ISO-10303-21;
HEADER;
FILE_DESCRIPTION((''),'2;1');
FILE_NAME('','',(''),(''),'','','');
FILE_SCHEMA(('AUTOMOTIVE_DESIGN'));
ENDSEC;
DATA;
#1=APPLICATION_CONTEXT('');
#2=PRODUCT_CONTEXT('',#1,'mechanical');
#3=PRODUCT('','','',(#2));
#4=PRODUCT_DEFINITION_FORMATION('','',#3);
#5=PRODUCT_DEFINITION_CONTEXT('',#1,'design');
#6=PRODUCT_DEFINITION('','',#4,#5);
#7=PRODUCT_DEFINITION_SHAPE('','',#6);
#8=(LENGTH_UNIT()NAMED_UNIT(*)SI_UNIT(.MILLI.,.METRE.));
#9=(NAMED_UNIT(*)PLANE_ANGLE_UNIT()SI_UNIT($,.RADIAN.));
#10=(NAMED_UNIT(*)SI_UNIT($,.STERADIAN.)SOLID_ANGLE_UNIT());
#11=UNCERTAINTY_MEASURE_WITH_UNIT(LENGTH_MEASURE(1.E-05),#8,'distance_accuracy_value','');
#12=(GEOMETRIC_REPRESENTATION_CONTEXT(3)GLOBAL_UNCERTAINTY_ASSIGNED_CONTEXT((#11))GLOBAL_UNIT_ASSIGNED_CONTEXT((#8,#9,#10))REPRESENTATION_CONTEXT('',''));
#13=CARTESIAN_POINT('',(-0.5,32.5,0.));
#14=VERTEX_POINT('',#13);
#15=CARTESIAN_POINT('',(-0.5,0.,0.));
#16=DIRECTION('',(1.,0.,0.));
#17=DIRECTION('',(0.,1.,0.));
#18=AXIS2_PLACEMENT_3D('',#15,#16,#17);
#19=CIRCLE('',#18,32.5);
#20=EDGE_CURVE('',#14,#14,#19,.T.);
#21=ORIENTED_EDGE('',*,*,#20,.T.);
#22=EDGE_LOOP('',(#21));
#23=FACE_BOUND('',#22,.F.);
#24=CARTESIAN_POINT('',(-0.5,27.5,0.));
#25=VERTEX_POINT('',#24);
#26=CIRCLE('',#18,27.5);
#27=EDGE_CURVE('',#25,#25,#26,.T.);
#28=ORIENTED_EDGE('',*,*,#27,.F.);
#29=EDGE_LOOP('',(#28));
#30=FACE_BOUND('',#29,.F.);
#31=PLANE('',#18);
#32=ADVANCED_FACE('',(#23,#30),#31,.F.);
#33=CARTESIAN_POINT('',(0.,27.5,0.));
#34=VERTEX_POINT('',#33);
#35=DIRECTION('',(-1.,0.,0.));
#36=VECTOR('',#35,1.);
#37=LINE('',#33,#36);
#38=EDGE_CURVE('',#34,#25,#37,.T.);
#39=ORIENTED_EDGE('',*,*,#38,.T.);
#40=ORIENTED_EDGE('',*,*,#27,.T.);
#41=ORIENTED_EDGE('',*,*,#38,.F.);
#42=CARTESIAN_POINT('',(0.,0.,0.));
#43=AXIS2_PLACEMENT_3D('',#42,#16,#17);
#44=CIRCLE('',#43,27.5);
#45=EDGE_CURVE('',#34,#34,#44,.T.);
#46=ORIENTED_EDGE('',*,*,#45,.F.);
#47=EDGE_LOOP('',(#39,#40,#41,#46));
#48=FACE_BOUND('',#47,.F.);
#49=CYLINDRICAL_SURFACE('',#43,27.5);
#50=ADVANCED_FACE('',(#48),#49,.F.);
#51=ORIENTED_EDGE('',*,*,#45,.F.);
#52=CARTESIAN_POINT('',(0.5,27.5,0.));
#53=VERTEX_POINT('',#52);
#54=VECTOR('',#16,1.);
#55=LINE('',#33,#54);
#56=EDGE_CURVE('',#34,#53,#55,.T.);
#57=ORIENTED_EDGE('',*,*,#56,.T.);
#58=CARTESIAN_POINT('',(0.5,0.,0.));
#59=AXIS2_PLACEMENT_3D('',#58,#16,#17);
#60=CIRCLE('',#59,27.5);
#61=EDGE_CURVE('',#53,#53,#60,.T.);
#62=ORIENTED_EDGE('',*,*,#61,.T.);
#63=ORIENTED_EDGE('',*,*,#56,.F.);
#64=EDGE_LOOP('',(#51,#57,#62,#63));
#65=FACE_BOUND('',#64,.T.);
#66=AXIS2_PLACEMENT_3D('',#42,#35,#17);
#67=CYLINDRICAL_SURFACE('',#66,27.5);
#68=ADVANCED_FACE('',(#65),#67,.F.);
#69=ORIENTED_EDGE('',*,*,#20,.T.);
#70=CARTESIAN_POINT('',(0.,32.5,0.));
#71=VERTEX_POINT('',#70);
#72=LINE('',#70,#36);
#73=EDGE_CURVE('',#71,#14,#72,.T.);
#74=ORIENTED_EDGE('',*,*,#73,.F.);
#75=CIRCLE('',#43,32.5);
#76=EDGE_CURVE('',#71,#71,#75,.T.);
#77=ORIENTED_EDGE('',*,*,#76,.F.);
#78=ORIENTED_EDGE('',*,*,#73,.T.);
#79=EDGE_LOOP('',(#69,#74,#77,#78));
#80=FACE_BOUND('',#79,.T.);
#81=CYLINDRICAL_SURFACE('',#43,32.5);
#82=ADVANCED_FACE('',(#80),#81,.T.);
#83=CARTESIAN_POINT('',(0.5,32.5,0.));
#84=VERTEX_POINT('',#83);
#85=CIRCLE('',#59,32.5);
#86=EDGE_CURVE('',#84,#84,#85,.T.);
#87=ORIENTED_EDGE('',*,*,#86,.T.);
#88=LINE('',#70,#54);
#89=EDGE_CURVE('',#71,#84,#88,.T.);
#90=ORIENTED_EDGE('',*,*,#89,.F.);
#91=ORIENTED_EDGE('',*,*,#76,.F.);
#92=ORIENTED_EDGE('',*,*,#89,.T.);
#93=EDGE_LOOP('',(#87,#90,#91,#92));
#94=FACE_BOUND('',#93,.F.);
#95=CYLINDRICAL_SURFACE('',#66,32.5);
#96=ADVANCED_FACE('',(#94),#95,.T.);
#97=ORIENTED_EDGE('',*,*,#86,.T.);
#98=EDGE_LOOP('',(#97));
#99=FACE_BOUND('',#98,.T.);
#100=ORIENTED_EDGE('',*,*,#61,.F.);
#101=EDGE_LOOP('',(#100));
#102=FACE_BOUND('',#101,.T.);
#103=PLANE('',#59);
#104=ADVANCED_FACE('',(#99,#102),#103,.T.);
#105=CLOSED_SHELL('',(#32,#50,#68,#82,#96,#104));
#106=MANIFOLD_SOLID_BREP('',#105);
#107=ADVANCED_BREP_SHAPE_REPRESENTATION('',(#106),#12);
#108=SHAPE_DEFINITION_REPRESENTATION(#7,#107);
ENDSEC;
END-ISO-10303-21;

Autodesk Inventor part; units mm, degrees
ref_plane "YZ Plane" through (0, 0, 0) normal (1, 0, 0) x (0, 1, 0)
ref_plane "XZ Plane" through (0, 0, 0) normal (0, 1, 0) x (-1, 0, 0)
ref_plane "XY Plane" through (0, 0, 0) normal (0, 0, 1) x (1, 0, 0)
sketch "스케치1" plane through (0, 0, 0) normal (1, 0, 0) x (0, 1, 0)
  circle A0 centre (0, 0) radius 32.5
  circle A1 centre (0, 0) radius 27.5
  dimension "d0" = 65
  dimension "d1" = 55
extrude "돌출1" add sketch "스케치1" along normal mid plane 1
properties part number "joint4_washer" material "PLA filament"
